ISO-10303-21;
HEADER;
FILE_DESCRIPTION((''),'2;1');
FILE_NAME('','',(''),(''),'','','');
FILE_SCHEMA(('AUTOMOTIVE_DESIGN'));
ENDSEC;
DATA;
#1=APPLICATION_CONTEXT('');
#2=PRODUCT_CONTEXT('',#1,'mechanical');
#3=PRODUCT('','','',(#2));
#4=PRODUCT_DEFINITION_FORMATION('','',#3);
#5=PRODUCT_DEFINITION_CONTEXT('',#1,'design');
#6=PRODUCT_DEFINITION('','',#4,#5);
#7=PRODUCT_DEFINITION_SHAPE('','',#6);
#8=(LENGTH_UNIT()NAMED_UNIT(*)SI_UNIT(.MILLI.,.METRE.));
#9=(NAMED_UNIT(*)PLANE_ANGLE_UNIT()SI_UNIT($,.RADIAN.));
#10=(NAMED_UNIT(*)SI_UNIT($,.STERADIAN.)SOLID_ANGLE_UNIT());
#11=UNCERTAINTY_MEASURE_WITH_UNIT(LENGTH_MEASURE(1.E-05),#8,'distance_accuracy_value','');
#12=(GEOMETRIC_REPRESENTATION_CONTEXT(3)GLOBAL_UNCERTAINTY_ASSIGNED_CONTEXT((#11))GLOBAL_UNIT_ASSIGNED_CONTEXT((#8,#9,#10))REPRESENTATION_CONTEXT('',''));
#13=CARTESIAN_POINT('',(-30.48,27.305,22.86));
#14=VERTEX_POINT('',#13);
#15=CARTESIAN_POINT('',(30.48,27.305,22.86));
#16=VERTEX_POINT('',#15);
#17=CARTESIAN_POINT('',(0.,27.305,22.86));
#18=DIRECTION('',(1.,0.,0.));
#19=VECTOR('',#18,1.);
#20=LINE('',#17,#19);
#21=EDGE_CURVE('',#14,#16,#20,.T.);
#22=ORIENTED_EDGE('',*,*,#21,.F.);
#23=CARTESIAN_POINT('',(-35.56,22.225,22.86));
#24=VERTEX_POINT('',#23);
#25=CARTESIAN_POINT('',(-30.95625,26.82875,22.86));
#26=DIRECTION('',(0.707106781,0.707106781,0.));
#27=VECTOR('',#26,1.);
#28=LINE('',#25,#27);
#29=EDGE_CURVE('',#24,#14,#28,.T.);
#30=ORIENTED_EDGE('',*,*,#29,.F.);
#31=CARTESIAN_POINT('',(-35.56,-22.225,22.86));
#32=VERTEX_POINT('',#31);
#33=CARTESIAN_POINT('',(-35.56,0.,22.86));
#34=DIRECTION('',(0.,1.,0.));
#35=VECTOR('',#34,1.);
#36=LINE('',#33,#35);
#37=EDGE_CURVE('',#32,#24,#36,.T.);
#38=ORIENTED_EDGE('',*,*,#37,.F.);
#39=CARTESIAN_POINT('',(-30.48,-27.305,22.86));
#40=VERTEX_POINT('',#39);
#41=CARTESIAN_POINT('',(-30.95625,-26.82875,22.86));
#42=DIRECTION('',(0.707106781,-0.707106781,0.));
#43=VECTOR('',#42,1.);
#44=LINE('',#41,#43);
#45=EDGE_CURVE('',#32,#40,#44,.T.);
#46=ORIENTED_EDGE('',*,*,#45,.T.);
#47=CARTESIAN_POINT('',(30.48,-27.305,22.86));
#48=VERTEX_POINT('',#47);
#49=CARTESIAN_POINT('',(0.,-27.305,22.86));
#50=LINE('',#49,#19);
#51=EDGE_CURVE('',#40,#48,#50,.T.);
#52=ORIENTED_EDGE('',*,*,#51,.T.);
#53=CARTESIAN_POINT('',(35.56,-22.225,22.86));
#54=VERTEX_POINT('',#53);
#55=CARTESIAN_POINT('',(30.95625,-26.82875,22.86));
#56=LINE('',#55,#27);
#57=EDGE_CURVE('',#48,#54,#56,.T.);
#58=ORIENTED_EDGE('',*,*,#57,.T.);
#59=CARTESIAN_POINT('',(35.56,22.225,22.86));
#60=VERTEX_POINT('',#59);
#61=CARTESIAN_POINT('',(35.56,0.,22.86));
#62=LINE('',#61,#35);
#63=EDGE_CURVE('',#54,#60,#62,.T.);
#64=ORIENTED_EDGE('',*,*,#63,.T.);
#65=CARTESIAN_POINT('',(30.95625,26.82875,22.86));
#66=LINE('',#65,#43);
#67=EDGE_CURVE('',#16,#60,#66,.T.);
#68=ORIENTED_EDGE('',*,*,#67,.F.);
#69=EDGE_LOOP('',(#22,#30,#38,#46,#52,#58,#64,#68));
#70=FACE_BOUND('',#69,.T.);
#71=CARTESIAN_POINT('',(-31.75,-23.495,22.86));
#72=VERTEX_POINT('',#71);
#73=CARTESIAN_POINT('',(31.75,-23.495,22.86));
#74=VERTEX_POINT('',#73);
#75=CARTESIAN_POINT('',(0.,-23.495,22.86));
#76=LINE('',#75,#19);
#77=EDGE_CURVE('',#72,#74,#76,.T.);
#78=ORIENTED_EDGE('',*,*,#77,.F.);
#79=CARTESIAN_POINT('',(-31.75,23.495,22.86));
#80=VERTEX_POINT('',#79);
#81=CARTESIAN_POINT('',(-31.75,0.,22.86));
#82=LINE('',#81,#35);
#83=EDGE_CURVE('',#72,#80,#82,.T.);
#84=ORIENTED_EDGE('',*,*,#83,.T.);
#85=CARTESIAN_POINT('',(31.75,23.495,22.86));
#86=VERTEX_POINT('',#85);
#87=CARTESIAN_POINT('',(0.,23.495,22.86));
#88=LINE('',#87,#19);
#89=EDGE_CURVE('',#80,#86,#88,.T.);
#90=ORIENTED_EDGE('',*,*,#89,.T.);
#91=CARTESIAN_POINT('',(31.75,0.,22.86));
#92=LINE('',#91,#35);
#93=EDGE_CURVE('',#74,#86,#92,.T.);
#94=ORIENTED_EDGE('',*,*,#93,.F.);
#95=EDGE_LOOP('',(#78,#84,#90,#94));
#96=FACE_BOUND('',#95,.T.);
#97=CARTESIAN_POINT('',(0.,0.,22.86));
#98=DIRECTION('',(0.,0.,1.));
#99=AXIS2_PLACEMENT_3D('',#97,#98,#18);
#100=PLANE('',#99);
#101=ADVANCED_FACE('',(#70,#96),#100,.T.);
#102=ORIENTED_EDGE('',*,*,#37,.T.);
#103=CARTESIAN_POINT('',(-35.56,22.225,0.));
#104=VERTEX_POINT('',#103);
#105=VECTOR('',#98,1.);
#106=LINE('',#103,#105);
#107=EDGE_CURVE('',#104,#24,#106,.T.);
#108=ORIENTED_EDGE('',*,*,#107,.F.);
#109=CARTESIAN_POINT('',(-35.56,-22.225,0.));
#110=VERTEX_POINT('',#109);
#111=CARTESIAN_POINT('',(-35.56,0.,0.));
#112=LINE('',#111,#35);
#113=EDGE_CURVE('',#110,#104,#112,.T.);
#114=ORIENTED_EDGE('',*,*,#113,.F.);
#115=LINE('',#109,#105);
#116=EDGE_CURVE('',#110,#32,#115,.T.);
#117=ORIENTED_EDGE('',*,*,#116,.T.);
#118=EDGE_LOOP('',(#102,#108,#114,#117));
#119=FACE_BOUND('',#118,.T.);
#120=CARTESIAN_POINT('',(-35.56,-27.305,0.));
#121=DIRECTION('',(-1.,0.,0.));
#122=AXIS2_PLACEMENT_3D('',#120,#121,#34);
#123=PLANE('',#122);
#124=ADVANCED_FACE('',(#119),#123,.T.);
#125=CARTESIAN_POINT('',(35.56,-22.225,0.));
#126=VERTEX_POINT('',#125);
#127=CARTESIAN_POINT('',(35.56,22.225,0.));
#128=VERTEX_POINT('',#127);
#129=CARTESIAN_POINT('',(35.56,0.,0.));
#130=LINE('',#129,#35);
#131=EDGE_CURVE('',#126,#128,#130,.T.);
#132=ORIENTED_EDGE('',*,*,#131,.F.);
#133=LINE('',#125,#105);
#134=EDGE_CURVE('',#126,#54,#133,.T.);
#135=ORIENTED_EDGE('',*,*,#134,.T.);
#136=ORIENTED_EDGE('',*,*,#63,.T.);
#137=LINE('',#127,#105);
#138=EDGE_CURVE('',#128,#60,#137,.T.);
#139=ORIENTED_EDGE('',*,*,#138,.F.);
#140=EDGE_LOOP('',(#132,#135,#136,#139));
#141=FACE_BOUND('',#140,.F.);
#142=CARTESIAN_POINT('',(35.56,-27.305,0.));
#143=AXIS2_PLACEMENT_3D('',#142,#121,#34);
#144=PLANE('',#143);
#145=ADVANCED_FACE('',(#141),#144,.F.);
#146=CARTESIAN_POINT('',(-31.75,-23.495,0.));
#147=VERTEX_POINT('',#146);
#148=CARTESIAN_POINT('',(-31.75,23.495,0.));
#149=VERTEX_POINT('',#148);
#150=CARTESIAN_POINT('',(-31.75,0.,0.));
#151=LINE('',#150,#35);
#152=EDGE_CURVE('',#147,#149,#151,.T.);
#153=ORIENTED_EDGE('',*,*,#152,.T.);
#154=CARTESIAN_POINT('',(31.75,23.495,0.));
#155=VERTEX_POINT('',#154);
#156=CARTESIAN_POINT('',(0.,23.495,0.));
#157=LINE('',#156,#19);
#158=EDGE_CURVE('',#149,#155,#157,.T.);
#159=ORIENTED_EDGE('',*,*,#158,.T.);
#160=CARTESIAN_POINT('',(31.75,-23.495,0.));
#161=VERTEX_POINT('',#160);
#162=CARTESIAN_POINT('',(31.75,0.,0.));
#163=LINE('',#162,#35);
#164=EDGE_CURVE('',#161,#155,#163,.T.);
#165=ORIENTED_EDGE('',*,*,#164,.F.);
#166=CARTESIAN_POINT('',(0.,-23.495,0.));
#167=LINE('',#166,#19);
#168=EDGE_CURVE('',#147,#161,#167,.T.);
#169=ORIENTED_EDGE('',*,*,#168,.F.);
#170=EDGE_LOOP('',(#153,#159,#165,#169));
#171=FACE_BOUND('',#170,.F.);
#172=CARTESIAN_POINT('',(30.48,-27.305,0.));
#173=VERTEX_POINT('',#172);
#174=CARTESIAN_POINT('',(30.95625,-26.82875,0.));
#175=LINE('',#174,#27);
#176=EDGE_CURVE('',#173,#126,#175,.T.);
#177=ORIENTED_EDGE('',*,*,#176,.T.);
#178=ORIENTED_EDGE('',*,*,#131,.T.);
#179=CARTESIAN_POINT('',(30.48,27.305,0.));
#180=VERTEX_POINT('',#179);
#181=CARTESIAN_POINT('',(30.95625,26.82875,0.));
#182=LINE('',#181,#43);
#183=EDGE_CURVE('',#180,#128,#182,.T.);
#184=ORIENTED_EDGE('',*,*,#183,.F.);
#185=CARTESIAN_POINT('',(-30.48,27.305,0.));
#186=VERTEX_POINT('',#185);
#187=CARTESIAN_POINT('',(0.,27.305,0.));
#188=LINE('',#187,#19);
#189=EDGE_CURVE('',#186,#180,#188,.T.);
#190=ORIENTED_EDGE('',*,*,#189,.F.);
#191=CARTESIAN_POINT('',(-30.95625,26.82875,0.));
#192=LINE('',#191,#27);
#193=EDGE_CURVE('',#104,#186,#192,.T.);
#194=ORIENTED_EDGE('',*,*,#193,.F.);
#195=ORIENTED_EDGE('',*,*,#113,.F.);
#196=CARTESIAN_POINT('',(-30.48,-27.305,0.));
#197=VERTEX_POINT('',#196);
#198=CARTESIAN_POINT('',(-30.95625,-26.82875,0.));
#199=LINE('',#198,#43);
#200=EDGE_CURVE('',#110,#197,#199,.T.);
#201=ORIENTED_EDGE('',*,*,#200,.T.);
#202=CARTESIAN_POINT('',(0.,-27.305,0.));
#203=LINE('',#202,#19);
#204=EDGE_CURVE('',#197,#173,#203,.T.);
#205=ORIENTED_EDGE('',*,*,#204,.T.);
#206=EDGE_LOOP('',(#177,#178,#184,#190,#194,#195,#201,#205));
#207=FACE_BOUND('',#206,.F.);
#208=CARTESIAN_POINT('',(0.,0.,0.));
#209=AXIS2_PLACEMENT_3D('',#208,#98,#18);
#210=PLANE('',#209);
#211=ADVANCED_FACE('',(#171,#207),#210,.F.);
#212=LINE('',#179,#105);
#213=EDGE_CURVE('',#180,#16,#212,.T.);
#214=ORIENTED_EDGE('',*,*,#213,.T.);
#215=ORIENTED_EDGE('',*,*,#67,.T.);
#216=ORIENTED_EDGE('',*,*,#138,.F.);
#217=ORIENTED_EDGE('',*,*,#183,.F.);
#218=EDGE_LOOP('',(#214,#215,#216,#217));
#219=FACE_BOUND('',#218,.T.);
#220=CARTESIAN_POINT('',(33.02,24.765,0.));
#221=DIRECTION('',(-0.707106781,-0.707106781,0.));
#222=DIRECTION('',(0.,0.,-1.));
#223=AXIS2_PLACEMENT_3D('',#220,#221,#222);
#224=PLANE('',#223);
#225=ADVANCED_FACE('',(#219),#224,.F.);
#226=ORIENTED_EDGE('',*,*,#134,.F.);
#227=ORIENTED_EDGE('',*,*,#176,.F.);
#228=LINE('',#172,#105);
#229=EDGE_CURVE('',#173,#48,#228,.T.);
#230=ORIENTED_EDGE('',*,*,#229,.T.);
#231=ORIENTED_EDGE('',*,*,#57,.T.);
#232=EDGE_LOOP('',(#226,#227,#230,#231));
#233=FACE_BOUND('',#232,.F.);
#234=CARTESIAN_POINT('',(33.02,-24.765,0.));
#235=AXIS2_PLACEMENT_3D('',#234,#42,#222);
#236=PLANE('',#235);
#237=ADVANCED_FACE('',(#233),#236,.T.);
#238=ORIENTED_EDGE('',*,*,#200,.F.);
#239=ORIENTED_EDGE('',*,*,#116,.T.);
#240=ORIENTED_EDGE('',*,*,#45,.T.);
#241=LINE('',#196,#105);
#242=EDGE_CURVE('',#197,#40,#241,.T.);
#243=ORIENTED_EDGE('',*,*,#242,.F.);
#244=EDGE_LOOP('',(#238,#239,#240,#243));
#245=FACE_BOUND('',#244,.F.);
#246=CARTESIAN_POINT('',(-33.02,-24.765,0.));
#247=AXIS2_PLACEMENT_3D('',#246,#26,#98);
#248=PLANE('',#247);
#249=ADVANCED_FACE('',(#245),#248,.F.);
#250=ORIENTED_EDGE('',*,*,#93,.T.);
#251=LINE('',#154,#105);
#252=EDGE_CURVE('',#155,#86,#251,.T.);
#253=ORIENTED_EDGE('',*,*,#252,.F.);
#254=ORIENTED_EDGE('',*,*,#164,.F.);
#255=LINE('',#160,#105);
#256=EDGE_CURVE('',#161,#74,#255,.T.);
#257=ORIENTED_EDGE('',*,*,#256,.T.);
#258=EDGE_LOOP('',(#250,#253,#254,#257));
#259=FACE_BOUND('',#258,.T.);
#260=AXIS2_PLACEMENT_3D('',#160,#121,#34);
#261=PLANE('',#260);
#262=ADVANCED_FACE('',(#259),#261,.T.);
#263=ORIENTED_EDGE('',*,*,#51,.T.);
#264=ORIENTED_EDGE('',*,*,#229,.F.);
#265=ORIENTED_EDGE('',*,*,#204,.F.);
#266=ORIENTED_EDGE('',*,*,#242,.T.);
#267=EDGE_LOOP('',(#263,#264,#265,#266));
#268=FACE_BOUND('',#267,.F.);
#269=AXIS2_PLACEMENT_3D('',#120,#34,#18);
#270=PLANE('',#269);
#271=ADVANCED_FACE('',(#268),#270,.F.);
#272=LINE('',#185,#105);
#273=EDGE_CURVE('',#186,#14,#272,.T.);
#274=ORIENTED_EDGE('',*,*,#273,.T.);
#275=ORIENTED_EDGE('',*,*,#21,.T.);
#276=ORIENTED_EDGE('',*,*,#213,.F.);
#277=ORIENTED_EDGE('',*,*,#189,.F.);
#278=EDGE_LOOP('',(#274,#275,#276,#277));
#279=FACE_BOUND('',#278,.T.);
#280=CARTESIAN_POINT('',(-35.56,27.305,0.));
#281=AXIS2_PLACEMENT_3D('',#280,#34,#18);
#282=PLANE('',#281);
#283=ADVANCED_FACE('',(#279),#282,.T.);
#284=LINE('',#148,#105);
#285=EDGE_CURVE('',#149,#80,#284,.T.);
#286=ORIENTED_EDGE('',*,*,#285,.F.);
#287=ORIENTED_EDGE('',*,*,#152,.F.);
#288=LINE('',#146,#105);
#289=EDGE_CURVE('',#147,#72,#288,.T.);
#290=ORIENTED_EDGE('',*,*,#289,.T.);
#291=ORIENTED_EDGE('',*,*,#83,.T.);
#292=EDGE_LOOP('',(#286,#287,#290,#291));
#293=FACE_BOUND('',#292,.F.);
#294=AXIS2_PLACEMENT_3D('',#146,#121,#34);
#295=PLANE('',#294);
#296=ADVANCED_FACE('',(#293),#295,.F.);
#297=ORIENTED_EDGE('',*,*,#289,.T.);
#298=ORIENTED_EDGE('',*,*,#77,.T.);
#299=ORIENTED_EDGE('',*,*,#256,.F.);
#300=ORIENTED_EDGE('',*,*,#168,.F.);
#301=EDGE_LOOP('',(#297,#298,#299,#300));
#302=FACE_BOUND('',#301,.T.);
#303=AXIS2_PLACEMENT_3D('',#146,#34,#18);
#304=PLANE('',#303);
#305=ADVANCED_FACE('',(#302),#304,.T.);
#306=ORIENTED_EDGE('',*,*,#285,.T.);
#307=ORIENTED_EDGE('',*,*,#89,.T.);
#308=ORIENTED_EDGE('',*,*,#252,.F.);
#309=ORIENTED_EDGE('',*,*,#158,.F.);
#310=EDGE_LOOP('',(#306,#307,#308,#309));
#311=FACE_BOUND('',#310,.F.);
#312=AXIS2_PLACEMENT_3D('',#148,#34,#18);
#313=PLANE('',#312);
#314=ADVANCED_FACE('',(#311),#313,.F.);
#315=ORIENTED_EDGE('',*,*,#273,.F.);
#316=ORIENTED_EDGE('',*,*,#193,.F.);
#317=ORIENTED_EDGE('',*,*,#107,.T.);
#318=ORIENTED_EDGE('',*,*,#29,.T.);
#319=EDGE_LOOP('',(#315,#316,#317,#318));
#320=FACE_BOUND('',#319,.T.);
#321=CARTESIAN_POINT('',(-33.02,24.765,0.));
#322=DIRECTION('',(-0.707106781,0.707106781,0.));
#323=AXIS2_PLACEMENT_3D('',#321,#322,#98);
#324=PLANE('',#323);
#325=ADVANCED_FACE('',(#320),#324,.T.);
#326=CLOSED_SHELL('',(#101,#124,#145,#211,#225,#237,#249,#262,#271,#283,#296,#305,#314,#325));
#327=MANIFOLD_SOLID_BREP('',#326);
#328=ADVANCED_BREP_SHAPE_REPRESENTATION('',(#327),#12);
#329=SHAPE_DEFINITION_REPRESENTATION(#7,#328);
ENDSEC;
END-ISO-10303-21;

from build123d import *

# Parameters (mm, degrees)
F0_W     = 71.12
F0_H     = 54.61
F0_W_2   = 63.5
F0_H_2   = 46.99
F1_DEPTH = 22.86
F2_SIZE  = 5.08


with BuildPart() as f1:
    # F0 (on Top) → F1 (new body)
    with BuildSketch(Plane.XY):
        Rectangle(F0_W, F0_H)
        Rectangle(F0_W_2, F0_H_2, mode=Mode.SUBTRACT)
    extrude(amount=F1_DEPTH)

    # F2
    f2_edges = [f1.edges().sort_by_distance(p)[0] for p in [
        (35.56, -27.305, 11.43),
        (-35.56, 27.305, 11.43),
        (35.56, 27.305, 11.43),
        (-35.56, -27.305, 11.43),
    ]]
    chamfer(f2_edges, length=F2_SIZE)


solid = f1.part
